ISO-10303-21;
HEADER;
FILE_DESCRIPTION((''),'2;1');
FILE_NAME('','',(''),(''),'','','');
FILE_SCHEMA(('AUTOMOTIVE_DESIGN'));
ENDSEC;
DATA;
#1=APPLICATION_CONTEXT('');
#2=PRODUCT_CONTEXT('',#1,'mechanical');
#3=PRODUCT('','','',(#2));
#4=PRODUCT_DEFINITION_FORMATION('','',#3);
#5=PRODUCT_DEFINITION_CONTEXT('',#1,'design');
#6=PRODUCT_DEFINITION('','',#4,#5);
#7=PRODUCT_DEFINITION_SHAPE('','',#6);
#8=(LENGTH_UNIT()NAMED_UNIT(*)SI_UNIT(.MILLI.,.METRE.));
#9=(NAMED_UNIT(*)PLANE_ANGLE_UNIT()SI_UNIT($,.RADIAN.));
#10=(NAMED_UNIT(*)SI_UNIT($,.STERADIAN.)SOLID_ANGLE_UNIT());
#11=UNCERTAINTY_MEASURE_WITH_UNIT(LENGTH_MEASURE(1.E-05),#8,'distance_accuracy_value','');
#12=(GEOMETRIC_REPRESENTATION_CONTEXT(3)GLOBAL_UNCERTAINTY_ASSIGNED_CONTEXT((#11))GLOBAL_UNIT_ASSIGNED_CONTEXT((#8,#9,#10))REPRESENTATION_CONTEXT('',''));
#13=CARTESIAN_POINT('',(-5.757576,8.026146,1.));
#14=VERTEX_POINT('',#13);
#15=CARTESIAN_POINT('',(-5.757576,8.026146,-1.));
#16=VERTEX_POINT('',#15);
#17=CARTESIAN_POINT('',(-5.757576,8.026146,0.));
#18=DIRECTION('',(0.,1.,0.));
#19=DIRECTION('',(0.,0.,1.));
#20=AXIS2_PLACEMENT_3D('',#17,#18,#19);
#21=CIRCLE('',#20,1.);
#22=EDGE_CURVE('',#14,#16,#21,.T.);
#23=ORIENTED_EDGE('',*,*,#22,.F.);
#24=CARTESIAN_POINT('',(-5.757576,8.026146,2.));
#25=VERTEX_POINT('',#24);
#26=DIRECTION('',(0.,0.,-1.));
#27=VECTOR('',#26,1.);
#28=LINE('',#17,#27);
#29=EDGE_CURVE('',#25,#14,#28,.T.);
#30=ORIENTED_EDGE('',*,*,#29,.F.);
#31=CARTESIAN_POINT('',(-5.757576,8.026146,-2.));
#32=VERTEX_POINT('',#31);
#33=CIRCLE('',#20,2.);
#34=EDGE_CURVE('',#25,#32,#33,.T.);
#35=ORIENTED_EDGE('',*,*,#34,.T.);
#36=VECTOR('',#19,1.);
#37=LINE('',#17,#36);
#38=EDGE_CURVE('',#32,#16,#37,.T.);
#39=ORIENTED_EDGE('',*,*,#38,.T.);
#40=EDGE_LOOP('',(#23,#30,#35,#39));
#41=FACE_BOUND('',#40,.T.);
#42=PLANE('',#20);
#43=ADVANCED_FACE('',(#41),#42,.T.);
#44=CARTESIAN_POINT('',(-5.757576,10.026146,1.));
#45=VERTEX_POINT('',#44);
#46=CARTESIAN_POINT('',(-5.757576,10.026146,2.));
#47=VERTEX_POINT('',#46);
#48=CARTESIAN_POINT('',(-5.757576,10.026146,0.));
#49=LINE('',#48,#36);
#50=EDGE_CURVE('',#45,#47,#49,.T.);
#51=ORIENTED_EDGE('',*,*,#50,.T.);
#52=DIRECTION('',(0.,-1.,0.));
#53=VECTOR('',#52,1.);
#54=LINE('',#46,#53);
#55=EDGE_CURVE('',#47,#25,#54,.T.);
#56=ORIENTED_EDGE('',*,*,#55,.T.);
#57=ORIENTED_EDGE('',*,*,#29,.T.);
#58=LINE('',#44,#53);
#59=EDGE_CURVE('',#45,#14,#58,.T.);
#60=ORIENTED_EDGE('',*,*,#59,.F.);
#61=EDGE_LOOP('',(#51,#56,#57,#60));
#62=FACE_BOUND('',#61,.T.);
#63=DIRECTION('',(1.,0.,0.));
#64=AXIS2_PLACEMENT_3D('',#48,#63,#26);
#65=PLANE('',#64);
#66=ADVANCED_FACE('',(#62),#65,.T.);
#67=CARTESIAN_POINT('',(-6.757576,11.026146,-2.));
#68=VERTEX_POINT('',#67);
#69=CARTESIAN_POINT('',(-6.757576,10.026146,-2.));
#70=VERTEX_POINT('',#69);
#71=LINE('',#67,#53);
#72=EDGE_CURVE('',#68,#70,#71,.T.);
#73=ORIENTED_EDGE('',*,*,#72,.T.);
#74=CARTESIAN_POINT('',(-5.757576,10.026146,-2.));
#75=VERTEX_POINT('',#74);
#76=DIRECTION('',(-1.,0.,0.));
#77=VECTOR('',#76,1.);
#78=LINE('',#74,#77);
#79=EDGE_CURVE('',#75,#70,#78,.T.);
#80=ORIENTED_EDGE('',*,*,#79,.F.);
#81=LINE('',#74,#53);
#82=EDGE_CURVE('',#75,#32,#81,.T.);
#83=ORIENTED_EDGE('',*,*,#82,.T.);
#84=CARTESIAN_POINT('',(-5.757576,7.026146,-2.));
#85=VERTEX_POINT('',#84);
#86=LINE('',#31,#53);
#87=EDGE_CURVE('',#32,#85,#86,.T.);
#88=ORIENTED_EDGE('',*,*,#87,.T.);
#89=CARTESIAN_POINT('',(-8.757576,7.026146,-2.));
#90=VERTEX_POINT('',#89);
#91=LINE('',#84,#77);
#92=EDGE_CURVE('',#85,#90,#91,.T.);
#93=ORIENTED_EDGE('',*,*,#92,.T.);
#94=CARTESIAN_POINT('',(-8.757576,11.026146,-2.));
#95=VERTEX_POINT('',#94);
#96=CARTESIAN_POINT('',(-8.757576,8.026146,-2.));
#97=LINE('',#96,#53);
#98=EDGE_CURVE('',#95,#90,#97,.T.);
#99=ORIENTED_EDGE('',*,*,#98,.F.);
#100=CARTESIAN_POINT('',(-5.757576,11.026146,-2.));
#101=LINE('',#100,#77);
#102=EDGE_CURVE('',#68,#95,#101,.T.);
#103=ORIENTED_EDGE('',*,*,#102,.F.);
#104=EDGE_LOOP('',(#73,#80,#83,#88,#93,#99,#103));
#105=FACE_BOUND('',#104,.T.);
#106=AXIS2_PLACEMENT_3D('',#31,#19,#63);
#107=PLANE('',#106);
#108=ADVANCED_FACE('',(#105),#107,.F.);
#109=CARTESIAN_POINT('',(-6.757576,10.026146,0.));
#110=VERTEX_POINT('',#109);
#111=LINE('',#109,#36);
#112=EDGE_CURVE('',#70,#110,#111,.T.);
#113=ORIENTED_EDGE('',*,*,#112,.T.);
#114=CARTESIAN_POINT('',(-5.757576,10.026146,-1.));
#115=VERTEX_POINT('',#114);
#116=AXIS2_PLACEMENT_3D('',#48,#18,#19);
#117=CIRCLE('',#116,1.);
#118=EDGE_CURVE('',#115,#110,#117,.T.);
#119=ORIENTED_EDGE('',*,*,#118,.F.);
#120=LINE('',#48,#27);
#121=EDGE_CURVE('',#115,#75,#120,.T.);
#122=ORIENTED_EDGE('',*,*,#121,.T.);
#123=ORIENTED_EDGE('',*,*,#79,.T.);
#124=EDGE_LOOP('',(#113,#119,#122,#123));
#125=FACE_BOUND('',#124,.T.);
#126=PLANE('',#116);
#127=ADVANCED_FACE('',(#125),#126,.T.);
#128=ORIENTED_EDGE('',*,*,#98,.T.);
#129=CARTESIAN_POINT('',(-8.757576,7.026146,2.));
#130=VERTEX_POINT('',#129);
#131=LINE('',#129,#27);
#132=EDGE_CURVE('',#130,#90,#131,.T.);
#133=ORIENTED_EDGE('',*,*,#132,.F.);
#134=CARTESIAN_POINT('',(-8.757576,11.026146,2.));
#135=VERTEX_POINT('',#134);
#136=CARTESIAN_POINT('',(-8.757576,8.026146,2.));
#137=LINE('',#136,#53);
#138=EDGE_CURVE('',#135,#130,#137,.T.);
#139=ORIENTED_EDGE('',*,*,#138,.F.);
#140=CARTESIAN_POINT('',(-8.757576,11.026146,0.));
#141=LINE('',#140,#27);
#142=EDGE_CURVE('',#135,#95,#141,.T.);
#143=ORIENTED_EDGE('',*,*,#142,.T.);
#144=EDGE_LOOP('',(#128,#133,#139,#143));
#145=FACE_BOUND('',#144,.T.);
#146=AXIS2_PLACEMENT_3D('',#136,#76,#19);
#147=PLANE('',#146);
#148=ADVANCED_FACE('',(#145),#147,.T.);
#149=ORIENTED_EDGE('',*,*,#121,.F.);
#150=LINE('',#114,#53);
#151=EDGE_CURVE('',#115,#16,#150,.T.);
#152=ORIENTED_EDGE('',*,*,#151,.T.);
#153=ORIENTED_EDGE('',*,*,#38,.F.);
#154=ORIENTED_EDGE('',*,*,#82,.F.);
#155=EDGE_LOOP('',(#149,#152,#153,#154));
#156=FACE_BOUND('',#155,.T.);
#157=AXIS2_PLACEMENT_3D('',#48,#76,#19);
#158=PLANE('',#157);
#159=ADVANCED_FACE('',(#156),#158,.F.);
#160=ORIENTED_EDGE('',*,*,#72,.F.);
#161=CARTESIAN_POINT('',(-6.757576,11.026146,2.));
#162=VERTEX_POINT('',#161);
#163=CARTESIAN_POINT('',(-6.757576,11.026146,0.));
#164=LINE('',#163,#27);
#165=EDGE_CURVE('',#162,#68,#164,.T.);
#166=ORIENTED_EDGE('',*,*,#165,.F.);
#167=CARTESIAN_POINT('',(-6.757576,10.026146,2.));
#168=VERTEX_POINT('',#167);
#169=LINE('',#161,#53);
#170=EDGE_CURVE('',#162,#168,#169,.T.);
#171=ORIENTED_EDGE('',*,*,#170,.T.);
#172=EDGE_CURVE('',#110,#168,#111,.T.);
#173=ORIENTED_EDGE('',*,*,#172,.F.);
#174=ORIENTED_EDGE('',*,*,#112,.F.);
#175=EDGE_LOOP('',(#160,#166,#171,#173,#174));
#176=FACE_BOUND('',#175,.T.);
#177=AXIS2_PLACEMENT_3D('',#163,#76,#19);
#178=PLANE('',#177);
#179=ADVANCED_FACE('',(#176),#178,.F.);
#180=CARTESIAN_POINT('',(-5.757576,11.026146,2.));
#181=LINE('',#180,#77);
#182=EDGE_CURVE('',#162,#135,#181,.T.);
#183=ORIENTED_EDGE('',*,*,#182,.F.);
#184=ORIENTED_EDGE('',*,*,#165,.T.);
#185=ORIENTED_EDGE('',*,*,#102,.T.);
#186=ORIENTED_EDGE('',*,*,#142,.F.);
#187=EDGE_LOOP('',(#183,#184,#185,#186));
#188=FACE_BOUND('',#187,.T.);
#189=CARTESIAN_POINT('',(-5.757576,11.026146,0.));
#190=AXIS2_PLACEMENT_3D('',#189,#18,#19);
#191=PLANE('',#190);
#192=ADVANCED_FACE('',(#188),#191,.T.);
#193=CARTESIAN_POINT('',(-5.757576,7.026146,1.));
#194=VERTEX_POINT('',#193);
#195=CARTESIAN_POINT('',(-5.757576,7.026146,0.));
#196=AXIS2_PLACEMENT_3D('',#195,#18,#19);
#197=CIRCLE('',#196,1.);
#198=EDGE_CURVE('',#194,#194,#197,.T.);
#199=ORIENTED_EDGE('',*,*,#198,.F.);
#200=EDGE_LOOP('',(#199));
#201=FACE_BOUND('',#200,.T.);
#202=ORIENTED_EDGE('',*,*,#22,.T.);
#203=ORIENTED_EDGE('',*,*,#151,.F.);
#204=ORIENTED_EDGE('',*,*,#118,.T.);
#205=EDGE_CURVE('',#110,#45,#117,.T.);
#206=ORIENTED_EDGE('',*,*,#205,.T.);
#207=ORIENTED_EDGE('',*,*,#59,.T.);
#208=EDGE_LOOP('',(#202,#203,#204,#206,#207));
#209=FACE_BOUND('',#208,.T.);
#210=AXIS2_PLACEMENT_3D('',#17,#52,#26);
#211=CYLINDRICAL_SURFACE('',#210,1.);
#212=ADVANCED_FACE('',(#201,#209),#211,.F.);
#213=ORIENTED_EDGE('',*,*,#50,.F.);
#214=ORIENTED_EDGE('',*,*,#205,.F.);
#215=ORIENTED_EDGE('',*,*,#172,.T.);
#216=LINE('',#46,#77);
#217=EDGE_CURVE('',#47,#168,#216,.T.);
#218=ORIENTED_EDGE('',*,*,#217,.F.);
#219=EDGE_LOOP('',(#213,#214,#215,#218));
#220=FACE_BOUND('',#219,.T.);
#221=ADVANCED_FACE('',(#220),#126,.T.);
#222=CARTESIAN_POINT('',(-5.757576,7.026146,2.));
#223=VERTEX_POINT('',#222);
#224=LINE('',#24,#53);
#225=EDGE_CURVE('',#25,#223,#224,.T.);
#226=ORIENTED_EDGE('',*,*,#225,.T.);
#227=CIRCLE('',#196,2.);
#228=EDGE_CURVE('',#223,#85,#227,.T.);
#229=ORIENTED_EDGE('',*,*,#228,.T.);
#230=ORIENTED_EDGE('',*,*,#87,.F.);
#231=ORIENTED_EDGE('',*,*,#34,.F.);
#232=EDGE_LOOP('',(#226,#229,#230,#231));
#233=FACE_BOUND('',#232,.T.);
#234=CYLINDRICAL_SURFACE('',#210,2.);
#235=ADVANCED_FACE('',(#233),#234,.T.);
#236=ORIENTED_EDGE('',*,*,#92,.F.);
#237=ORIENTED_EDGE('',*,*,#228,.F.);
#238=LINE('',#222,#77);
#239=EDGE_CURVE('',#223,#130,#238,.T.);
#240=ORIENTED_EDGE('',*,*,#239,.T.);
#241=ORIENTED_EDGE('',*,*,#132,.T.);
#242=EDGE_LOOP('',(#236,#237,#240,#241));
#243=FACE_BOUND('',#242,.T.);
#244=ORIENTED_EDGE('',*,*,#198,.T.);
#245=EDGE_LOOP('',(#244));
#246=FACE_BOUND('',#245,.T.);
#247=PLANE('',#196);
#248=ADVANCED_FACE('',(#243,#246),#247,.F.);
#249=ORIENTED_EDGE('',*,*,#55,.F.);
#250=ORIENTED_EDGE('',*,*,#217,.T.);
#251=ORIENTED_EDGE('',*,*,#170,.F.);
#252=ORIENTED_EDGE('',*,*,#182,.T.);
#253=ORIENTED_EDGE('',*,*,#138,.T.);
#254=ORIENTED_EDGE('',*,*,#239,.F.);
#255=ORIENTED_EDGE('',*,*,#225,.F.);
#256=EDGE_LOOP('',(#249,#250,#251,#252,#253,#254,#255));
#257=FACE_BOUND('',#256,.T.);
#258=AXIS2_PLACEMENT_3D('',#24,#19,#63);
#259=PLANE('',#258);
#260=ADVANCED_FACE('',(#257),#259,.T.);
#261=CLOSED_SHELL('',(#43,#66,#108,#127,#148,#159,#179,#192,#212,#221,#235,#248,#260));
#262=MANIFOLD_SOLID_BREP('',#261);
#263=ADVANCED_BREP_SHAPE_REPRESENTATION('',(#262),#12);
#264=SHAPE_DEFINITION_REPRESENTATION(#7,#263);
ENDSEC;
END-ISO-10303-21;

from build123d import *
from build123d.topology import SkipClean

# Parameters (mm, degrees)
SKETCH_1_R      = 5.000000000000002
EXTRUDE_2_DEPTH = 5
EXTRUDE_4_DEPTH = 15
EXTRUDE_5_DEPTH = 20
SCALE_1_SCALE   = 0.2


with BuildPart() as part:
    # 草圖1 → 填料-伸長2 (new body)
    with BuildSketch(Plane(origin=(0, 0, 0), x_dir=(1, 0, 0), z_dir=(0, 1, 0))):
        with BuildLine():
            Line((-15, -10.000000000000002), (0, -10))
            ThreePointArc((0, -10), (10, 2.8e-16), (1.22e-15, 10))
            Line((4.1e-16, 10), (-15, 10))
            Line((-15, 9.999999999999998), (-15, -10.000000000000002))
        make_face()
        Circle(SKETCH_1_R, mode=Mode.SUBTRACT)
    extrude(amount=EXTRUDE_2_DEPTH)

    # 草圖1<4> → 填料-伸長4 (add)
    with BuildSketch(Plane(origin=(0, 0, 0), x_dir=(1, 0, 0), z_dir=(0, 1, 0))):
        with BuildLine():
            Line((-15, -10.000000000000002), (0, -10))
            Line((0, -10), (0, -5))
            ThreePointArc((0, -5), (-5, -3.1e-16), (-6.1e-16, 5))
            Line((0, 5), (0, 10))
            Line((4.1e-16, 10), (-15, 10))
            Line((-15, 9.999999999999998), (-15, -10.000000000000002))
        make_face()
    extrude(amount=EXTRUDE_4_DEPTH)

    # 草圖1<5> → 填料-伸長5 (add)
    with SkipClean():  # the faces are left unmerged after this step: merging them gives an invalid solid
        with BuildSketch(Plane(origin=(0, 0, 0), x_dir=(1, 0, 0), z_dir=(0, 1, 0))):
            Polygon((-15, -10.000000000000002), (-5, -10), (-5, -3.55e-15), (-5, 10), (-15, 10), align=None)
        extrude(amount=EXTRUDE_5_DEPTH)


with BuildPart() as part_1:
    # 縮放比例1: scaled about (-7.196969697, 8.78268307, 0)
    add(part.part.scale(SCALE_1_SCALE).moved(Location((-5.757575757600001, 7.026146455999999, 0))))


solid = part_1.part
